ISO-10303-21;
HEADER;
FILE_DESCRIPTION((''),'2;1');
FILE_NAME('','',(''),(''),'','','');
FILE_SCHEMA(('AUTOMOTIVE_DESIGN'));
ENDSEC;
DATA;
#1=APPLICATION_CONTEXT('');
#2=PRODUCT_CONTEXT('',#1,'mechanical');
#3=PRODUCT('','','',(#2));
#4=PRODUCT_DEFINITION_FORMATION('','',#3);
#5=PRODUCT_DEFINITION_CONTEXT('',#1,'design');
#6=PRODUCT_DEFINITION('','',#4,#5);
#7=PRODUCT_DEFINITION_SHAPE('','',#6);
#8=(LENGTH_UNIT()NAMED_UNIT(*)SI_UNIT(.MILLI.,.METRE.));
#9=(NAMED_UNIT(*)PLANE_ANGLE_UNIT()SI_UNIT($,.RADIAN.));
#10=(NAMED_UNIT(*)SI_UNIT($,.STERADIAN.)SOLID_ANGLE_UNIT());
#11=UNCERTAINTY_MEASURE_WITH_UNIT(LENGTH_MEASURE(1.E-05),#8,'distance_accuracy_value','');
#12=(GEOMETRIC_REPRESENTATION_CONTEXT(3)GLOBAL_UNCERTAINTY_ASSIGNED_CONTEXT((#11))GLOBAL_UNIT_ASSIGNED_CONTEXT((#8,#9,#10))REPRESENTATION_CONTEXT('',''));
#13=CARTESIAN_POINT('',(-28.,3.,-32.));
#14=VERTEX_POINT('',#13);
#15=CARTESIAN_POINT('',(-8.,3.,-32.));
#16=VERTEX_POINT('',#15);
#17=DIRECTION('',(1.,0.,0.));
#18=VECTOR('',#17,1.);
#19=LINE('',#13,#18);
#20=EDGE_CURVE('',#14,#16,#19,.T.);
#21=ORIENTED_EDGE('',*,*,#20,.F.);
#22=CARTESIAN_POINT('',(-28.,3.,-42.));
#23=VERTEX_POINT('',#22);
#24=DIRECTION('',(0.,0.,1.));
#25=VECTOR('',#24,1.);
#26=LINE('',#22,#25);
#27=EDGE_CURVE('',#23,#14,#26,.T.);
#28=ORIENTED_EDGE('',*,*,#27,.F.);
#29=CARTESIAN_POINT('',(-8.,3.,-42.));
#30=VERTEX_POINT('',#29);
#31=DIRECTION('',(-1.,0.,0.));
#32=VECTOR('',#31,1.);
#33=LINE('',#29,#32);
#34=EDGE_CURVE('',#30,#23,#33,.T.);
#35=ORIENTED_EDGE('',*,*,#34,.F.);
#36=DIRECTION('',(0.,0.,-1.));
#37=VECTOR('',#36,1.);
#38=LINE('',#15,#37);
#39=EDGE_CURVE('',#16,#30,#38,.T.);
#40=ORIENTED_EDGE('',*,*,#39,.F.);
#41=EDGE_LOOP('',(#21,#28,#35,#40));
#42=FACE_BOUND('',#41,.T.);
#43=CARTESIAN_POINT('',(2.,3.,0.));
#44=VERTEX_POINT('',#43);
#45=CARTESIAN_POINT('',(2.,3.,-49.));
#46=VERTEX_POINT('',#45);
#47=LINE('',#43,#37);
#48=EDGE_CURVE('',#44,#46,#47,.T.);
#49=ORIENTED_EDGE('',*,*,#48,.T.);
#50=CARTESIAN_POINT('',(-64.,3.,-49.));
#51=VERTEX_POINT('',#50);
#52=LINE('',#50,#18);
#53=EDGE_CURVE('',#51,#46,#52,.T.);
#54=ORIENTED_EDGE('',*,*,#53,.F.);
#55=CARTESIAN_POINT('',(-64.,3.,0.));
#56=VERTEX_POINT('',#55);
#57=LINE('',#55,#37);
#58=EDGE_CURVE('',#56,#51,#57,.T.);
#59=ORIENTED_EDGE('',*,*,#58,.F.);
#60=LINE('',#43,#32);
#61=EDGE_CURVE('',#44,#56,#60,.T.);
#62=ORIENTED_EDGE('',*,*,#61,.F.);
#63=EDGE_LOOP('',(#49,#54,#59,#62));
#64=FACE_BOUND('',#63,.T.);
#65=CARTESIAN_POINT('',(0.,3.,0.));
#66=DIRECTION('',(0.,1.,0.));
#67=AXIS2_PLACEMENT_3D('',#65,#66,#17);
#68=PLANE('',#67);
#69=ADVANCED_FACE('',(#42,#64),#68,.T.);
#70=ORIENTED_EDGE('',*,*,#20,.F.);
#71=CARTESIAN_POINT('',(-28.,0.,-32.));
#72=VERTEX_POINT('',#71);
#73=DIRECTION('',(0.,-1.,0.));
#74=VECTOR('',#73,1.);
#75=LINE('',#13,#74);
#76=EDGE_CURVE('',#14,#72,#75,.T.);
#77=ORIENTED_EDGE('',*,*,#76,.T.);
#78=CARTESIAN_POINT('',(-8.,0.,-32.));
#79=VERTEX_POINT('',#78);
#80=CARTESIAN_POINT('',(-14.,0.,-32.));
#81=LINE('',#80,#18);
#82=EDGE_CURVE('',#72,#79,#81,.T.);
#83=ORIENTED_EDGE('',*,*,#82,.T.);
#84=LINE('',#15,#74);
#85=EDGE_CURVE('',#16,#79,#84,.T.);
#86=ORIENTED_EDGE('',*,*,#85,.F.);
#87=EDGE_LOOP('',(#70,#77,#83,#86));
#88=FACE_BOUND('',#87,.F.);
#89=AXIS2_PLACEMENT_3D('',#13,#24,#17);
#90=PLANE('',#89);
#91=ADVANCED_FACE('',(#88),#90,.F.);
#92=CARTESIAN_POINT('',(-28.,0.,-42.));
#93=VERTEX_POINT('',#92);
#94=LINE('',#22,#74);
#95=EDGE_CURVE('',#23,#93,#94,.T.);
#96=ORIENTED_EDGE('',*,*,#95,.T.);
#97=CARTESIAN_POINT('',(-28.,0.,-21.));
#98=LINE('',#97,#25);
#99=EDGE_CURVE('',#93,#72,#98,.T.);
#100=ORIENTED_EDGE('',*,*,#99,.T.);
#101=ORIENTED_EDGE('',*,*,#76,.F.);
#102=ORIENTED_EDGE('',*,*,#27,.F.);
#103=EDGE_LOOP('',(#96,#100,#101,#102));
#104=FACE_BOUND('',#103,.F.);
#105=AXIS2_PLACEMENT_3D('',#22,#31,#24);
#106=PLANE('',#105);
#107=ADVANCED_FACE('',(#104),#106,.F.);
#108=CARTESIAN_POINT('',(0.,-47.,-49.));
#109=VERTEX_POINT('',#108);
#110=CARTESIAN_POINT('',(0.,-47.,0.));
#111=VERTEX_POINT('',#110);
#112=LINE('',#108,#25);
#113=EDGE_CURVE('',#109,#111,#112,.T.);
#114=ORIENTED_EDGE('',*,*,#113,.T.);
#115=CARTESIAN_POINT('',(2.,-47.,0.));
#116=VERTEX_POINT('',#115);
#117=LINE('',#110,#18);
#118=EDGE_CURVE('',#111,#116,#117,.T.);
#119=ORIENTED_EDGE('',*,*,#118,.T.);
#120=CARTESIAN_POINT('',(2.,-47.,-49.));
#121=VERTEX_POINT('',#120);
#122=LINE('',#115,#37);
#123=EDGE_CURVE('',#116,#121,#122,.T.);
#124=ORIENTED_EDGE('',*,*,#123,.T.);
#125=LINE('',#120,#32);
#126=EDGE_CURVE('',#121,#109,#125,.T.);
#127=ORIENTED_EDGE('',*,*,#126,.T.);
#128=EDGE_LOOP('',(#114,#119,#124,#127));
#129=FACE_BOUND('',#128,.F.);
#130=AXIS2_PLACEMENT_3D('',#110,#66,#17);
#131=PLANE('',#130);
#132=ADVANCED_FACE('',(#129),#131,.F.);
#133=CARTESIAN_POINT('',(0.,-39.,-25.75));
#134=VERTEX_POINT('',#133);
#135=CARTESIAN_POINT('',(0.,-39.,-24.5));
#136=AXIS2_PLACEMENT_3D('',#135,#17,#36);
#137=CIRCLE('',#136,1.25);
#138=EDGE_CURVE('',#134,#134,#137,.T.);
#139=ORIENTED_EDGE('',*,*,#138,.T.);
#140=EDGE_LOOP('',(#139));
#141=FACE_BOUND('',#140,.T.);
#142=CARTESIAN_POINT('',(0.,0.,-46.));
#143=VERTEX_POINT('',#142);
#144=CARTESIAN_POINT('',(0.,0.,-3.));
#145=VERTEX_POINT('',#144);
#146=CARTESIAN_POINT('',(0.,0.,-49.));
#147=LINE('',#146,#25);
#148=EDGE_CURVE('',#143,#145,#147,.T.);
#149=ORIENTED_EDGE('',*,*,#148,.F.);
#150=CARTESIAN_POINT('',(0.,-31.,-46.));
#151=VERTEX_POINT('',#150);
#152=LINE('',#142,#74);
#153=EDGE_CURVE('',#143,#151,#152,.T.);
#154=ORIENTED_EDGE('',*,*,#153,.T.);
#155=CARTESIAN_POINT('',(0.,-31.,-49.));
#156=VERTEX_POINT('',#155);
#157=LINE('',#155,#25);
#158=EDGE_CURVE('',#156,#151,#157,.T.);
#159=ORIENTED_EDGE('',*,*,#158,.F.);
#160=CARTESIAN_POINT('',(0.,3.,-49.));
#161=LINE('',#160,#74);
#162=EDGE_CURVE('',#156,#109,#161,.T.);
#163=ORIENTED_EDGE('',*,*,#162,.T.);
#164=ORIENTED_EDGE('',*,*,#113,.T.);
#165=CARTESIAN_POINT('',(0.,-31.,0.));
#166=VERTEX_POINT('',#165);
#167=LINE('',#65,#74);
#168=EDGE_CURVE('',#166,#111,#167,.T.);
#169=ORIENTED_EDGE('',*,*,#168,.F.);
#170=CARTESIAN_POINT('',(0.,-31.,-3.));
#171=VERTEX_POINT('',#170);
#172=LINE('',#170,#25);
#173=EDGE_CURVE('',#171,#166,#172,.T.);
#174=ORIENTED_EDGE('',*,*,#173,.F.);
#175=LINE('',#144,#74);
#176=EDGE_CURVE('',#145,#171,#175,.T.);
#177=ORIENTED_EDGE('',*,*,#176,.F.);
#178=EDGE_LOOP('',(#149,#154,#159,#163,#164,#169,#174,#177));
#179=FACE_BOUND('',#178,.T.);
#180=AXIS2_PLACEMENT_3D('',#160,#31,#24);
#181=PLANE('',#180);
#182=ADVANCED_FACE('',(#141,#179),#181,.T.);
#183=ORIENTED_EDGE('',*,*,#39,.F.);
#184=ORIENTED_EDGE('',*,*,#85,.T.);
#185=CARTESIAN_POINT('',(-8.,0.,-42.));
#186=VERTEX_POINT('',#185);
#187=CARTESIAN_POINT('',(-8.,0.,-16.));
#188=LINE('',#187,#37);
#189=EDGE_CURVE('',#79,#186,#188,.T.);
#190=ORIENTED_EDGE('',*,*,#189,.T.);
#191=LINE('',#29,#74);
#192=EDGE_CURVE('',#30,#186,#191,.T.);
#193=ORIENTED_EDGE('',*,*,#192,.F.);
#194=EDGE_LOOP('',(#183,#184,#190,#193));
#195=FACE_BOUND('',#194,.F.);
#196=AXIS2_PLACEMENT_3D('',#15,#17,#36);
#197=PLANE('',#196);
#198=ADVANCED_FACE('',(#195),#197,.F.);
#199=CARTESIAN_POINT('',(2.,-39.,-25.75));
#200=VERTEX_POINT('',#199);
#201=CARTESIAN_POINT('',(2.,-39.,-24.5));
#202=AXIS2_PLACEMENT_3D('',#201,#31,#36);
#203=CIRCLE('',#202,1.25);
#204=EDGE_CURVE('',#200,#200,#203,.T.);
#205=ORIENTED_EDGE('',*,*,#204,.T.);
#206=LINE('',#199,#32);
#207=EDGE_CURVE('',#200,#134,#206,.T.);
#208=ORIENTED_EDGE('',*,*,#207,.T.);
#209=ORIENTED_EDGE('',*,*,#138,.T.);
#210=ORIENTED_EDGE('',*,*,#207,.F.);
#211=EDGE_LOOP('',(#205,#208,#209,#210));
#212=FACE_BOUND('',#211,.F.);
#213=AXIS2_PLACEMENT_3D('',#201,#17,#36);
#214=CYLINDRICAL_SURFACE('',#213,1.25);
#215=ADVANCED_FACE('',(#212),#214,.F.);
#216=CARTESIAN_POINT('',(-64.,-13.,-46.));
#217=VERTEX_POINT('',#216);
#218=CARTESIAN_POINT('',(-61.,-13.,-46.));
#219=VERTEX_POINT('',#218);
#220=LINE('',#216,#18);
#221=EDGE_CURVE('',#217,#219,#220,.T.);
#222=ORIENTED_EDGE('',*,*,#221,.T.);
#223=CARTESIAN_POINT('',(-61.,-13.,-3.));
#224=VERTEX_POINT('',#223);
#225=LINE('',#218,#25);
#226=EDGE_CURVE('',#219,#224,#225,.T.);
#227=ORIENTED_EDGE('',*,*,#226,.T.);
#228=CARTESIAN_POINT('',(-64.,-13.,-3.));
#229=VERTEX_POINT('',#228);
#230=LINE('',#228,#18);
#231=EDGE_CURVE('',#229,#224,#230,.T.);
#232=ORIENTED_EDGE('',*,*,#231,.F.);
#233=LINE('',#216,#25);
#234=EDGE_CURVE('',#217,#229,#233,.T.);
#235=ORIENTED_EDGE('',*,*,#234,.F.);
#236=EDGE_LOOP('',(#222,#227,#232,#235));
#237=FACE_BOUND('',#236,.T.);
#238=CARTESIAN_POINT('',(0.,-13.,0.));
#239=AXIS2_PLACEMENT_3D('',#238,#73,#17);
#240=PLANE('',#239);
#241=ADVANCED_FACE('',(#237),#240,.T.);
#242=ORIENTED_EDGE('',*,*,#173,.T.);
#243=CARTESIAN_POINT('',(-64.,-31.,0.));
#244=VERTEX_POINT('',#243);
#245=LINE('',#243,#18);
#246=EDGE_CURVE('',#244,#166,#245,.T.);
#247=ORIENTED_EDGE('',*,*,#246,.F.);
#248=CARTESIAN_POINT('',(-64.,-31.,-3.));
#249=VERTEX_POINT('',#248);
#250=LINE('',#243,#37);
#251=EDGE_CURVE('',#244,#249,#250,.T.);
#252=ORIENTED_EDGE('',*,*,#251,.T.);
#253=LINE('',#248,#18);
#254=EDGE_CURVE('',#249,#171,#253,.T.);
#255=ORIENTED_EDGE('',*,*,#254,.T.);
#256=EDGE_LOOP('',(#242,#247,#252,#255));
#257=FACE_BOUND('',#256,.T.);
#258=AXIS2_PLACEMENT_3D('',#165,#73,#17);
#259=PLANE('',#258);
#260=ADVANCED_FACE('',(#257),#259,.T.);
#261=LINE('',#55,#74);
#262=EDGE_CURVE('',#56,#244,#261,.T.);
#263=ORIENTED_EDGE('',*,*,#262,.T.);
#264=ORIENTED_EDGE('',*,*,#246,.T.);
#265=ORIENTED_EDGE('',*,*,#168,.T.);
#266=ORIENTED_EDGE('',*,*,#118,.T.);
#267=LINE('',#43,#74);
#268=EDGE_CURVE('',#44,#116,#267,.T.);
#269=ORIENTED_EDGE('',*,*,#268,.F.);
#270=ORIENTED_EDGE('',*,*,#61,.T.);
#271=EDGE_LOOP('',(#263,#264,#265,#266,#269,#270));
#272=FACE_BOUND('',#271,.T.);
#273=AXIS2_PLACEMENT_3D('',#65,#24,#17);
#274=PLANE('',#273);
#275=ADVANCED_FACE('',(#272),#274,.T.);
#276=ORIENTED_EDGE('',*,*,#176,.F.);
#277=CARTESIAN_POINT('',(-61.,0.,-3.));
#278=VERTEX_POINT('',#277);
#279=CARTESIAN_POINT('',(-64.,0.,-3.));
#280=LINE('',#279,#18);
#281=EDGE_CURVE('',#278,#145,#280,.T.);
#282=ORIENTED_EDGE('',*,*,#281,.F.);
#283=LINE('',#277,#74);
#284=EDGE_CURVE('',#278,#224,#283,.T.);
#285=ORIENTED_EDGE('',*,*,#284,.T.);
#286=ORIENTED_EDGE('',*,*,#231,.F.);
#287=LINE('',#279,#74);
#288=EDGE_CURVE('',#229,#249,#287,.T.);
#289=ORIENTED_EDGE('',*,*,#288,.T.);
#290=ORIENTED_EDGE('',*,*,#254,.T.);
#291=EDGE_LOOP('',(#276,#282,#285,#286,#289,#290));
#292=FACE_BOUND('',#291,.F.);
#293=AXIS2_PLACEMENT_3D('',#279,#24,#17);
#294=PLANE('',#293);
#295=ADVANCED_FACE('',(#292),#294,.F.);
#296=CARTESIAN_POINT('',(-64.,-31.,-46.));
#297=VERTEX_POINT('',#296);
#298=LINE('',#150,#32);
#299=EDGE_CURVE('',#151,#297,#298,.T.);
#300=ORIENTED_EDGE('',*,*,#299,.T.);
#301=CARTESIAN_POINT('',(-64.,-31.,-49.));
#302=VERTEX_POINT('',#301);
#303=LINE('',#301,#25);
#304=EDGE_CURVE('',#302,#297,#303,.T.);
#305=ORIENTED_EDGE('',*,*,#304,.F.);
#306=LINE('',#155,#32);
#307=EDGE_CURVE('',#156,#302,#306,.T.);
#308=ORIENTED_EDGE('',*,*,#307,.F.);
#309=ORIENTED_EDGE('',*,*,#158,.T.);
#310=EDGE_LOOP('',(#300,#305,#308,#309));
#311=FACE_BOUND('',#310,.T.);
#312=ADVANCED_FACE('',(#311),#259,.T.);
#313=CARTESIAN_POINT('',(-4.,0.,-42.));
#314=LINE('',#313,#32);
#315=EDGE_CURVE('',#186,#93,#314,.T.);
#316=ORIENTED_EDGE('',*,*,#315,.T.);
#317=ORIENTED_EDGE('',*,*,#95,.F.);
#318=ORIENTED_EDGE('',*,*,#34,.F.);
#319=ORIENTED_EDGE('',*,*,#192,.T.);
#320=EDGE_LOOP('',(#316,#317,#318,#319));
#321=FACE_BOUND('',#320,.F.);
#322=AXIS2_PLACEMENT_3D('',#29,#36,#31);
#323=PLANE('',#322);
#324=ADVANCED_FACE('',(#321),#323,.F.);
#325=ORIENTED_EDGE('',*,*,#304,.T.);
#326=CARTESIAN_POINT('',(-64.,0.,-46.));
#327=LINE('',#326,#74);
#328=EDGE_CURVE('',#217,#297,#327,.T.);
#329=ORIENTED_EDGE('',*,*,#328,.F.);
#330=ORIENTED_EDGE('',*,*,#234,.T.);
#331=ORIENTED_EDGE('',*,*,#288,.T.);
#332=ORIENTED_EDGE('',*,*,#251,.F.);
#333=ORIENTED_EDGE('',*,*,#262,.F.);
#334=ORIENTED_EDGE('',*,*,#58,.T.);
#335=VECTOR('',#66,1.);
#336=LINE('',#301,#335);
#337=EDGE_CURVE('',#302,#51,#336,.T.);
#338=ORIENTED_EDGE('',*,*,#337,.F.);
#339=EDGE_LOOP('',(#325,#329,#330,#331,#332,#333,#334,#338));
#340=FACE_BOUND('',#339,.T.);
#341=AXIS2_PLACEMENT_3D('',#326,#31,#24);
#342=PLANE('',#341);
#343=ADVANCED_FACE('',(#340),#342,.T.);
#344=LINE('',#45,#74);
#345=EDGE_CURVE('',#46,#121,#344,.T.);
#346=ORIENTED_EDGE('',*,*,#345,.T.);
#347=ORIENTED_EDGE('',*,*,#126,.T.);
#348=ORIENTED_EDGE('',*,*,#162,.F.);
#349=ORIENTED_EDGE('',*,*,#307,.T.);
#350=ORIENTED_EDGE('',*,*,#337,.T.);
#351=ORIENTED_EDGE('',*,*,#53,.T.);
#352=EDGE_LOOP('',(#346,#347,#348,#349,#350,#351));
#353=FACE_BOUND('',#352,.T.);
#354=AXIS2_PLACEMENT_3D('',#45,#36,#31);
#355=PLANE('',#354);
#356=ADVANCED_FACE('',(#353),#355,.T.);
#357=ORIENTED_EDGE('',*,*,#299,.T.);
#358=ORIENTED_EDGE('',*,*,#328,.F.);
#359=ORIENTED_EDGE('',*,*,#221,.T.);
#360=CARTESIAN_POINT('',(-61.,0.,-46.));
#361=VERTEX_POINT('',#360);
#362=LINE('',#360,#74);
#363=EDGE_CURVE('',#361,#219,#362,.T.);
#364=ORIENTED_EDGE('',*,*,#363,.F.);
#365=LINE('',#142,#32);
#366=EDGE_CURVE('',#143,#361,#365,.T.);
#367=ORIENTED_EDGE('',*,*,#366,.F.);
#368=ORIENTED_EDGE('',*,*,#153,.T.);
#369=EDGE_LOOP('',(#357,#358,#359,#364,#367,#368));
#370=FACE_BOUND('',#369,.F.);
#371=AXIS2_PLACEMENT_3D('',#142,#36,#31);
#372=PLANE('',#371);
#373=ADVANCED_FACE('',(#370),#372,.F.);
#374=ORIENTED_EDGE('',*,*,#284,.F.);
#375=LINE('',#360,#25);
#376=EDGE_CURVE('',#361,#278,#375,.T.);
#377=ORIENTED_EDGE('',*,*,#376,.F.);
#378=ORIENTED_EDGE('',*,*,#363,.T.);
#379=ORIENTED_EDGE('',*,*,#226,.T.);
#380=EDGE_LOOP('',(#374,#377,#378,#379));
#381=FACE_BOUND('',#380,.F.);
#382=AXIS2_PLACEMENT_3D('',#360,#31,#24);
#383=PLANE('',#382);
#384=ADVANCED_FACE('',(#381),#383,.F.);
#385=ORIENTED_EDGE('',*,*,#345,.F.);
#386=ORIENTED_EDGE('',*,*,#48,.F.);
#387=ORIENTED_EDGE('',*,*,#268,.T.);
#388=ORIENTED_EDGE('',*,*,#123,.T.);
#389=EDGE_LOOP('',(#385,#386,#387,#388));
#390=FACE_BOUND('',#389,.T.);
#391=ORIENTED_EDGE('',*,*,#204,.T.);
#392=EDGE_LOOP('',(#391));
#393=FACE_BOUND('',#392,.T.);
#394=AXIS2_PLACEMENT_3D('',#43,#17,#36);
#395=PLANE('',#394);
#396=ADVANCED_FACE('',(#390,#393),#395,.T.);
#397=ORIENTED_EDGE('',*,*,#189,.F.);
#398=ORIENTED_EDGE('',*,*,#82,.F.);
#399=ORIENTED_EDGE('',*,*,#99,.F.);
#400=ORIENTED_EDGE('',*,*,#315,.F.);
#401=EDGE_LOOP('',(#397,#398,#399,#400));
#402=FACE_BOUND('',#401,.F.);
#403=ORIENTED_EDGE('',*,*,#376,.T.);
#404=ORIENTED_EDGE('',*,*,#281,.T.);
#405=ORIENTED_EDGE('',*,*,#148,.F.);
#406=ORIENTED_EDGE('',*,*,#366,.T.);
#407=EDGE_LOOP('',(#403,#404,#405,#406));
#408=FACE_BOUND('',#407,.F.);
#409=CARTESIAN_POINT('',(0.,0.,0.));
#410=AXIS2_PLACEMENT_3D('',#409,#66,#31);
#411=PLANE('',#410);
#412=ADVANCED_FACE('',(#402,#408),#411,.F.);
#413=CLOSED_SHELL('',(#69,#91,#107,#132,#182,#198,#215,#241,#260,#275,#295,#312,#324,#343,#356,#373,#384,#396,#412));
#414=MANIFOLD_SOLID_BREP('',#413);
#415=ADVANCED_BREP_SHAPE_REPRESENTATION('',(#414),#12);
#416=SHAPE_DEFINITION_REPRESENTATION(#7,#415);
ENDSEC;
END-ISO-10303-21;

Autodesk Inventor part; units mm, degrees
ref_plane "YZ Plane" through (0, 0, 0) normal (1, 0, 0) x (0, 1, 0)
ref_plane "XZ Plane" through (0, 0, 0) normal (0, 1, 0) x (-1, 0, 0)
ref_plane "XY Plane" through (0, 0, 0) normal (0, 0, 1) x (1, 0, 0)
sketch "Sketch94" plane through (0, 0, 0) normal (0, 1, 0) x (-1, 0, 0)
  line L0 (0, 0) -> (64, 0)
  line L1 (64, 0) -> (64, -49)
  line L2 (64, -49) -> (0, -49)
  line L3 (0, -49) -> (0, 0)
  dimension "d270" = 64
  dimension "d271" = 49
extrude "Extrusion51" add sketch "Sketch94" along normal blind 3
sketch "Sketch96" plane through (0, 0, 0) normal (0, -1, 0) x (1, 0, 0)
  line L0 (-64, 0) -> (0, 0) projected
  line L1 (0, 0) -> (-64, 0)
  line L2 (-64, 0) -> (-64, -3)
  line L3 (-64, -49) -> (-64, 0) projected
  line L4 (-64, -3) -> (0, -3)
  line L5 (0, -3) -> (0, 0)
  dimension "d274" = 3
extrude "Extrusion52" add sketch "Sketch96" along normal blind 31
sketch "Sketch97" plane through (0, 0, 0) normal (0, -1, 0) x (1, 0, 0)
  line L0 (0, -49) -> (-64, -49) projected
  line L1 (0, -49) -> (0, -46)
  line L2 (0, 0) -> (0, -49) projected
  line L3 (0, -46) -> (-64, -46)
  line L4 (-64, -49) -> (-64, 0) projected
  line L5 (-64, -49) -> (0, -49)
  dimension "d277" = 3
extrude "Extrusion53" add sketch "Sketch97" along normal blind 31
sketch "Sketch98" plane through (0, 3, 0) normal (0, 1, 0) x (1, 0, 0)
  line L0 (-64, 49) -> (0, 49) projected
  line L1 (0, 49) -> (-8, 49)
  line L2 (-8, 49) -> (-8, 42)
  line L3 (-8, 42) -> (0, 42)
  line L4 (0, 42) -> (0, 49)
  line L5 (-8, 42) -> (-28, 42)
  line L6 (-28, 42) -> (-28, 32)
  line L7 (-28, 32) -> (-8, 32)
  line L8 (-8, 32) -> (-8, 42)
  point P0 (0, 0)
  dimension "d280" = 8
  dimension "d281" = 7
  dimension "d282" = 20
  dimension "d283" = 10
extrude "Extrusion54" cut sketch "Sketch98" against normal blind 31 contours L8 L7 L6 L5
sketch "Sketch99" plane through (0, 3, 0) normal (0, 1, 0) x (1, 0, 0)
  line L0 (0, 0) -> (2, 0)
  line L1 (2, 0) -> (2, 49)
  line L2 (2, 49) -> (0, 49)
  line L3 (0, 49) -> (0, 0)
  dimension "d286" = 2
  dimension "d287" = 49
extrude "Extrusion55" add sketch "Sketch99" against normal blind 50
sketch "Sketch100" plane through (0, 0, 0) normal (0, -1, 0) x (1, 0, 0)
  line L0 (-64, -46) -> (-64, -3) projected
  line L1 (-64, -3) -> (0, -3) projected
  line L2 (-64, -46) -> (-61, -46)
  line L3 (-61, -46) -> (-61, -3)
  line L4 (-61, -3) -> (-64, -3)
  line L5 (-64, -3) -> (-64, -46)
  point P0 (0, 0)
  dimension "d290" = 3
extrude "Extrusion56" add sketch "Sketch100" along normal blind 13
sketch "Sketch101" plane through (2, 3, 0) normal (1, 0, 0) x (0, 0, -1)
  line L0 (0, -50) -> (49, -50) projected
  line L1 (0, -50) -> (24.5, -50)
  line L2 (24.5, -50) -> (24.5, -42)
  circle A0 centre (24.5, -42) radius 1.25
  point P0 (0, -3)
  dimension "d293" = 24.5
  dimension "d294" = 8
  dimension "d295" = 2.5
extrude "Extrusion57" cut sketch "Sketch101" against normal blind 13
properties part number "Back"
